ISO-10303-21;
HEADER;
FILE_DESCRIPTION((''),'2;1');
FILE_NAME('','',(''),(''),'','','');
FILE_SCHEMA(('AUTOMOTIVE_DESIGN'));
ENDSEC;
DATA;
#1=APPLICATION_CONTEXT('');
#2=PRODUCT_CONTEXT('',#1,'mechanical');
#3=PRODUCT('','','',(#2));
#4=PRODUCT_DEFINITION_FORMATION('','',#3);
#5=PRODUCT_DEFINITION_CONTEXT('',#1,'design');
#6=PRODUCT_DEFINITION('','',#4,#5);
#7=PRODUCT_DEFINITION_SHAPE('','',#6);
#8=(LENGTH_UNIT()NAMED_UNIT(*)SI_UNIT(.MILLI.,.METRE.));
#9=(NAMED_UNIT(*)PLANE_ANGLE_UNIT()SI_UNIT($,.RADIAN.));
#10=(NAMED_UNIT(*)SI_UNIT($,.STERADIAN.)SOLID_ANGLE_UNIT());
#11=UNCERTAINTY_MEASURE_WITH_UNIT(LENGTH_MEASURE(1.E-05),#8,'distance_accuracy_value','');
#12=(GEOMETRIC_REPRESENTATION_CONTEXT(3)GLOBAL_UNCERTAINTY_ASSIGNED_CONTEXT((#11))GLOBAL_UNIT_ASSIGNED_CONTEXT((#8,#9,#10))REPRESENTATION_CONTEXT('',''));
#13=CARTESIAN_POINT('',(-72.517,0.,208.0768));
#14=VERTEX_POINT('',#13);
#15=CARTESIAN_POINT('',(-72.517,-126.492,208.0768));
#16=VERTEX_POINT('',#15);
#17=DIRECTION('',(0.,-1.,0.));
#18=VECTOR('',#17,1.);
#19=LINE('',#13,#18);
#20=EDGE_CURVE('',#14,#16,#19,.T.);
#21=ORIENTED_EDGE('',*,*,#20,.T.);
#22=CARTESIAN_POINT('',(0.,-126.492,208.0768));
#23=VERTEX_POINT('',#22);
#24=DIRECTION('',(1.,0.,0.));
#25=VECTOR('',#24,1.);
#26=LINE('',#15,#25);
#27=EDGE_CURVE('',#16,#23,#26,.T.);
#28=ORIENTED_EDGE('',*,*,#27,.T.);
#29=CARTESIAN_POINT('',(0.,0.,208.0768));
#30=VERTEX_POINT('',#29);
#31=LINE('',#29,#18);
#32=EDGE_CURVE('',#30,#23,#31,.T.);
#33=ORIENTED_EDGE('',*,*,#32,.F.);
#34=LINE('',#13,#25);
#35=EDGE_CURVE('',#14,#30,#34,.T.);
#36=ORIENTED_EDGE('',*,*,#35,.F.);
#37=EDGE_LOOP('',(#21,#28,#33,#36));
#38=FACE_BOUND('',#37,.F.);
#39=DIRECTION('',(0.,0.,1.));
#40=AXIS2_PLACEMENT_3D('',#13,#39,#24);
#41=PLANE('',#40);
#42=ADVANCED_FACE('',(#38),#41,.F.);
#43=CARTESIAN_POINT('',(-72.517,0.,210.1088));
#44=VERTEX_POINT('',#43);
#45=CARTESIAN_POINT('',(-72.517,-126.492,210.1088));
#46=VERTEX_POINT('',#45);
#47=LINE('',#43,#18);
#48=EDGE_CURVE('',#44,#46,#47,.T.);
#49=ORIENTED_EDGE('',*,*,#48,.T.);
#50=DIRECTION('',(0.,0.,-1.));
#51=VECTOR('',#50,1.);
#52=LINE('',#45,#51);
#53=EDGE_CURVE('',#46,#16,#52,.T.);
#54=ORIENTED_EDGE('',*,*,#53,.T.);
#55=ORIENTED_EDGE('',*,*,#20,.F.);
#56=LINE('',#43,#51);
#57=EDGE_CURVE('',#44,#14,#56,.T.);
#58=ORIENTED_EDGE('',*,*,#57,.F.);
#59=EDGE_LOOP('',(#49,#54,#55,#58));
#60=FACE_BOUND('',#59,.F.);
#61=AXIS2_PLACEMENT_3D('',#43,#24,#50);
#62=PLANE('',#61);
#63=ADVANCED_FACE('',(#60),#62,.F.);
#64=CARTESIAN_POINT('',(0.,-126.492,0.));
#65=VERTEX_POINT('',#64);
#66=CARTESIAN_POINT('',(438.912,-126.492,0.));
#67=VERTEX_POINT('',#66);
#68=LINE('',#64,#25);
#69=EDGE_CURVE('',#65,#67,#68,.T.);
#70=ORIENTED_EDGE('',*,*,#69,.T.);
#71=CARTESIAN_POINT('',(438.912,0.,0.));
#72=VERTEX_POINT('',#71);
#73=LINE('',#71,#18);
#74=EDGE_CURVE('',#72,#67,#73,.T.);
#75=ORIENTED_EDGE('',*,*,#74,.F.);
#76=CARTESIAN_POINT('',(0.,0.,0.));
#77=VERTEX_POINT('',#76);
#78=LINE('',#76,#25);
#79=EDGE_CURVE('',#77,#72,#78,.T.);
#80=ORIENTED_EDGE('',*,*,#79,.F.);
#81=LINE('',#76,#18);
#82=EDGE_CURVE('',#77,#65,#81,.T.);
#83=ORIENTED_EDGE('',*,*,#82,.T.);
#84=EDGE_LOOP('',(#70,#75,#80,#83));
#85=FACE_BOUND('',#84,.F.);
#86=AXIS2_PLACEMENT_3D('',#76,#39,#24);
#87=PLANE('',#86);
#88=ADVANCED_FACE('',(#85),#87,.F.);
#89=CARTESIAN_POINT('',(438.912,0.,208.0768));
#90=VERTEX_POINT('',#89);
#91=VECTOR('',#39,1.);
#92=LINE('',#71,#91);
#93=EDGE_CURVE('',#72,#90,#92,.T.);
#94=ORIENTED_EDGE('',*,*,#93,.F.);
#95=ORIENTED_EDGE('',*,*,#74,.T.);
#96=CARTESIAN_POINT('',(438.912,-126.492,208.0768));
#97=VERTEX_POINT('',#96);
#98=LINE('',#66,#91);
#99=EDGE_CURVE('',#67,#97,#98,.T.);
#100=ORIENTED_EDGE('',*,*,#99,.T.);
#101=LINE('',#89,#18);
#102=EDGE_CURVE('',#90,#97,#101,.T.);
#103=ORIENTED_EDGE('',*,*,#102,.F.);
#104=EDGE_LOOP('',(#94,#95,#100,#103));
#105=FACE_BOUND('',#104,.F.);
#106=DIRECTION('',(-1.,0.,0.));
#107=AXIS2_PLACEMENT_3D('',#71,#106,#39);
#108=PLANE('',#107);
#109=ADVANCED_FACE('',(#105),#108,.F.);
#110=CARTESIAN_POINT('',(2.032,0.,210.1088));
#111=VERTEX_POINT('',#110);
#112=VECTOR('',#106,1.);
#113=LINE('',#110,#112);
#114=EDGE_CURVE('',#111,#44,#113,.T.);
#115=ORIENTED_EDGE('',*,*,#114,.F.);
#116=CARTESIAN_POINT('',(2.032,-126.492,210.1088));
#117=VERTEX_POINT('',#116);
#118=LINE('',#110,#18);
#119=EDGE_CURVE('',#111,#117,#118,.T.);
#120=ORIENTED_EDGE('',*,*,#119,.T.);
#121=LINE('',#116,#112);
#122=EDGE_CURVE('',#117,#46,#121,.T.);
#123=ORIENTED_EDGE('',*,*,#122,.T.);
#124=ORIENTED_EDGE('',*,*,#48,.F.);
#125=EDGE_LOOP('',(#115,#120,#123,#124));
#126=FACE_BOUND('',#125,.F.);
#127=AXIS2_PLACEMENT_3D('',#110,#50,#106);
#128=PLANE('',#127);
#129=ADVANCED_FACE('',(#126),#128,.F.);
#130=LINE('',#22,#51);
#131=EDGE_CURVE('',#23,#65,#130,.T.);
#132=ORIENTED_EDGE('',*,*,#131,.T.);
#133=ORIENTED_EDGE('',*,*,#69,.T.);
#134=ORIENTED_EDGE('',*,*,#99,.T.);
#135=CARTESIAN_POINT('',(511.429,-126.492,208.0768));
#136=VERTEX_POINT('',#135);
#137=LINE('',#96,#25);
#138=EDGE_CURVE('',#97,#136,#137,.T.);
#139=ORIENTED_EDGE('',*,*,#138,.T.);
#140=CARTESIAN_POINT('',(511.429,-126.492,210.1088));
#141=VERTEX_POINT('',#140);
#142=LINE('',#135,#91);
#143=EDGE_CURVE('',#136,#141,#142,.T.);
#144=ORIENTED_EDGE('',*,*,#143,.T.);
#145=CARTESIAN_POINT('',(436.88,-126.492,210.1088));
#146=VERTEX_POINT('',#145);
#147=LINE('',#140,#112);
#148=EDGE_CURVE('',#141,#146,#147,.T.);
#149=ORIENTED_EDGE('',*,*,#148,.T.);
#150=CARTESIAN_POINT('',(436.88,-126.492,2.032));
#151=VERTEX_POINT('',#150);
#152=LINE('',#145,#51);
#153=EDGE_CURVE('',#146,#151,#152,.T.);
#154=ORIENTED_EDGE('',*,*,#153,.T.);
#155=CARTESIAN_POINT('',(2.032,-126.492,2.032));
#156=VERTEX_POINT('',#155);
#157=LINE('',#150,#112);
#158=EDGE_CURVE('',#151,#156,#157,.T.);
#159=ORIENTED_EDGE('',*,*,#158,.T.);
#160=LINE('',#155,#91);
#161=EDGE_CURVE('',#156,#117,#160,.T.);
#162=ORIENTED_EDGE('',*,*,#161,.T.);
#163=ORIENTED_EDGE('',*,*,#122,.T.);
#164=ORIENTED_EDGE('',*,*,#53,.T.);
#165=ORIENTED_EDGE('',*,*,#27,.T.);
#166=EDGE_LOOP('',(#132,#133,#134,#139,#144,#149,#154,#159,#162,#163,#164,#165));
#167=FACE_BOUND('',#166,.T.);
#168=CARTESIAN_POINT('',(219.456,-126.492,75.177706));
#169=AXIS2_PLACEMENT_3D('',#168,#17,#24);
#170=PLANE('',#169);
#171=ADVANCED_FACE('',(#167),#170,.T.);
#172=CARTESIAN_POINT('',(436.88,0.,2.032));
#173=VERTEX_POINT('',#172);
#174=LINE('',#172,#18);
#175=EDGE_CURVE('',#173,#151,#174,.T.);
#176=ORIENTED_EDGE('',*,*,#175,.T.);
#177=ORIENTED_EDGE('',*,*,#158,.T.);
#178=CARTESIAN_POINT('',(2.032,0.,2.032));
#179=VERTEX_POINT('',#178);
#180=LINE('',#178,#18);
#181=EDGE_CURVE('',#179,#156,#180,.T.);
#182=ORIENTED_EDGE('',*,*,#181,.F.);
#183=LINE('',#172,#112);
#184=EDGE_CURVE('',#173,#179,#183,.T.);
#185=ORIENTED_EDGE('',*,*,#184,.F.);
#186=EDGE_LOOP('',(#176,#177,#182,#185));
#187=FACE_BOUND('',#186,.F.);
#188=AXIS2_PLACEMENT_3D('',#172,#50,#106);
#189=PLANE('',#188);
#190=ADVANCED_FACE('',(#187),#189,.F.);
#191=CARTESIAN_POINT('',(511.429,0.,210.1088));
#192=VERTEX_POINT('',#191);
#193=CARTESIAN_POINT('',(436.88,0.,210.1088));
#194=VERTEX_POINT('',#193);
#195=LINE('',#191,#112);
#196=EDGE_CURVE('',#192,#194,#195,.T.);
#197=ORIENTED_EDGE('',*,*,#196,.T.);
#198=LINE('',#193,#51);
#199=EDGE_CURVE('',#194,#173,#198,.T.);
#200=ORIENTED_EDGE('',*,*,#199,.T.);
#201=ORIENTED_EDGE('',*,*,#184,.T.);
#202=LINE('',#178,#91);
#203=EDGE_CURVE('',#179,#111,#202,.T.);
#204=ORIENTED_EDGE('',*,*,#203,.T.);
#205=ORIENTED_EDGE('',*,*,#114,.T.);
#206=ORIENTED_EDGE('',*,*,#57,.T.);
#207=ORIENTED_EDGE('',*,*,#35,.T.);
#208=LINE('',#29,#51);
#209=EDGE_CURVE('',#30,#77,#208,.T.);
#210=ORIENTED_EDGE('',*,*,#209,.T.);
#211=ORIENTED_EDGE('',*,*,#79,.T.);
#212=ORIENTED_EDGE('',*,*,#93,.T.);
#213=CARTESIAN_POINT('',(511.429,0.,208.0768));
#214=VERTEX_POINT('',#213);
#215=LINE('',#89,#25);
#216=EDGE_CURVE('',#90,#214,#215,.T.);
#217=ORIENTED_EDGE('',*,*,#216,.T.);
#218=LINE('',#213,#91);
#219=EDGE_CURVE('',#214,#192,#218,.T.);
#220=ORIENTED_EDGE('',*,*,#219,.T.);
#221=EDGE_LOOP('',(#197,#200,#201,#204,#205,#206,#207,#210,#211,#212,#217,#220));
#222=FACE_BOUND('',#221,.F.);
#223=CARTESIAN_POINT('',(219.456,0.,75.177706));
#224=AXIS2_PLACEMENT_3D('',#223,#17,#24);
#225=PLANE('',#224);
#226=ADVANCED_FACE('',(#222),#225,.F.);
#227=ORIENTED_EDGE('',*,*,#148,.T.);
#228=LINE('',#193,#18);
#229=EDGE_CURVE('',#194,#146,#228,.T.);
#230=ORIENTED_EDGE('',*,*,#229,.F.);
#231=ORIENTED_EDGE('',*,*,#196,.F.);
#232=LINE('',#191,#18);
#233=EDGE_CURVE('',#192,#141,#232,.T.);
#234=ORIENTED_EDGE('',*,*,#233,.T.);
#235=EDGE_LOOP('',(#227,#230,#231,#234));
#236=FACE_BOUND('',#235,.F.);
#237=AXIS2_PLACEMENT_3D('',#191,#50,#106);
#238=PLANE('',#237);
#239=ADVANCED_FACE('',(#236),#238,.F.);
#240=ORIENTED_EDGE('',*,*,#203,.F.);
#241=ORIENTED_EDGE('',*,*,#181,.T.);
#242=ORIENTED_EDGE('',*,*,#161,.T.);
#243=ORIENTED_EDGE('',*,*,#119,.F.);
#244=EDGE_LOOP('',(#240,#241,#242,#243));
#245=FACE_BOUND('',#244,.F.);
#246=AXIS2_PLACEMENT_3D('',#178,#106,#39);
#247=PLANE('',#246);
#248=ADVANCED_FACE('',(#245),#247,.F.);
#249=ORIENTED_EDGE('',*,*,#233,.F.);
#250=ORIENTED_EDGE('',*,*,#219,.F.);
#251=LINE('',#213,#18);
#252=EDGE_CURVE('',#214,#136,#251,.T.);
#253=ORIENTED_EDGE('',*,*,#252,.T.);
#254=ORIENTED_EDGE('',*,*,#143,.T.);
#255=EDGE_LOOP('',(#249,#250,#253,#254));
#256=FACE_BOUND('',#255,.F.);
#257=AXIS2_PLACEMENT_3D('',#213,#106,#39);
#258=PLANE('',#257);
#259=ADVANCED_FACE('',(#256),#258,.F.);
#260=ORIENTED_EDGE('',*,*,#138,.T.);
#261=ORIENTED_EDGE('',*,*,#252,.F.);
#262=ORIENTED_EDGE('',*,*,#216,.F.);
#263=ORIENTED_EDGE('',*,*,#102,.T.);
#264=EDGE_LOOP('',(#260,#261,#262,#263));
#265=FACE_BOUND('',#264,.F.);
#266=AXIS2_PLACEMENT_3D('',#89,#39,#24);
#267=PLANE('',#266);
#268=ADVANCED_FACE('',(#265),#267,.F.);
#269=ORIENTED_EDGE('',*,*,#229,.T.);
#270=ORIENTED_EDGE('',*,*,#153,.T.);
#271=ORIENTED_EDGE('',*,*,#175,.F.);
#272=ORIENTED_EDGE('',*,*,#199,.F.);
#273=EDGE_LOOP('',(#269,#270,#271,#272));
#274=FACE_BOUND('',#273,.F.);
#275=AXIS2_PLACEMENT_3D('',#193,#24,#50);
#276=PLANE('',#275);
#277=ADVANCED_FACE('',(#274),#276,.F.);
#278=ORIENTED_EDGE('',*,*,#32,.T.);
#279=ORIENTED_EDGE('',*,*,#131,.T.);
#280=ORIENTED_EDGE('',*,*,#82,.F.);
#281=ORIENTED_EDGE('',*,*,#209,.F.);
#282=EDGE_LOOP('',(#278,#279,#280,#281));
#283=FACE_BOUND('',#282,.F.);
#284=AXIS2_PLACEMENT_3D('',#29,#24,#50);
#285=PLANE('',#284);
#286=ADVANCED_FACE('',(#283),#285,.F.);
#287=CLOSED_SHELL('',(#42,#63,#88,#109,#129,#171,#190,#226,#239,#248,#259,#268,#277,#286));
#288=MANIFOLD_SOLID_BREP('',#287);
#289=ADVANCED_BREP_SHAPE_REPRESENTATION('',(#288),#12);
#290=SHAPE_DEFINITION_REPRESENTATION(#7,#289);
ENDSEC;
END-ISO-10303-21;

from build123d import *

# Parameters (mm, degrees)
F1_DEPTH = 126.492


with BuildPart() as f1:
    # F0 (on Front) → F1 (new body)
    with BuildSketch(Plane.XZ):
        Polygon((0, 197.4088), (0, 0), (2.032, 0), (436.88, 0), (438.912, 0), (438.912, 2.032), (438.912, 178.803325), (438.912, 196.977097), (438.912, 208.0768), (487.043064, 208.0768), (511.429, 208.0768), (511.429, 210.1088), (487.043064, 210.1088), (438.794217, 210.1088), (436.88, 210.1088), (436.88, 2.032), (2.032, 2.032), (2.032, 210.1088), (-72.517, 210.1088), (-72.517, 208.0768), (-48.133, 208.0768), (0, 208.0768), align=None)
    extrude(amount=F1_DEPTH)


solid = f1.part
